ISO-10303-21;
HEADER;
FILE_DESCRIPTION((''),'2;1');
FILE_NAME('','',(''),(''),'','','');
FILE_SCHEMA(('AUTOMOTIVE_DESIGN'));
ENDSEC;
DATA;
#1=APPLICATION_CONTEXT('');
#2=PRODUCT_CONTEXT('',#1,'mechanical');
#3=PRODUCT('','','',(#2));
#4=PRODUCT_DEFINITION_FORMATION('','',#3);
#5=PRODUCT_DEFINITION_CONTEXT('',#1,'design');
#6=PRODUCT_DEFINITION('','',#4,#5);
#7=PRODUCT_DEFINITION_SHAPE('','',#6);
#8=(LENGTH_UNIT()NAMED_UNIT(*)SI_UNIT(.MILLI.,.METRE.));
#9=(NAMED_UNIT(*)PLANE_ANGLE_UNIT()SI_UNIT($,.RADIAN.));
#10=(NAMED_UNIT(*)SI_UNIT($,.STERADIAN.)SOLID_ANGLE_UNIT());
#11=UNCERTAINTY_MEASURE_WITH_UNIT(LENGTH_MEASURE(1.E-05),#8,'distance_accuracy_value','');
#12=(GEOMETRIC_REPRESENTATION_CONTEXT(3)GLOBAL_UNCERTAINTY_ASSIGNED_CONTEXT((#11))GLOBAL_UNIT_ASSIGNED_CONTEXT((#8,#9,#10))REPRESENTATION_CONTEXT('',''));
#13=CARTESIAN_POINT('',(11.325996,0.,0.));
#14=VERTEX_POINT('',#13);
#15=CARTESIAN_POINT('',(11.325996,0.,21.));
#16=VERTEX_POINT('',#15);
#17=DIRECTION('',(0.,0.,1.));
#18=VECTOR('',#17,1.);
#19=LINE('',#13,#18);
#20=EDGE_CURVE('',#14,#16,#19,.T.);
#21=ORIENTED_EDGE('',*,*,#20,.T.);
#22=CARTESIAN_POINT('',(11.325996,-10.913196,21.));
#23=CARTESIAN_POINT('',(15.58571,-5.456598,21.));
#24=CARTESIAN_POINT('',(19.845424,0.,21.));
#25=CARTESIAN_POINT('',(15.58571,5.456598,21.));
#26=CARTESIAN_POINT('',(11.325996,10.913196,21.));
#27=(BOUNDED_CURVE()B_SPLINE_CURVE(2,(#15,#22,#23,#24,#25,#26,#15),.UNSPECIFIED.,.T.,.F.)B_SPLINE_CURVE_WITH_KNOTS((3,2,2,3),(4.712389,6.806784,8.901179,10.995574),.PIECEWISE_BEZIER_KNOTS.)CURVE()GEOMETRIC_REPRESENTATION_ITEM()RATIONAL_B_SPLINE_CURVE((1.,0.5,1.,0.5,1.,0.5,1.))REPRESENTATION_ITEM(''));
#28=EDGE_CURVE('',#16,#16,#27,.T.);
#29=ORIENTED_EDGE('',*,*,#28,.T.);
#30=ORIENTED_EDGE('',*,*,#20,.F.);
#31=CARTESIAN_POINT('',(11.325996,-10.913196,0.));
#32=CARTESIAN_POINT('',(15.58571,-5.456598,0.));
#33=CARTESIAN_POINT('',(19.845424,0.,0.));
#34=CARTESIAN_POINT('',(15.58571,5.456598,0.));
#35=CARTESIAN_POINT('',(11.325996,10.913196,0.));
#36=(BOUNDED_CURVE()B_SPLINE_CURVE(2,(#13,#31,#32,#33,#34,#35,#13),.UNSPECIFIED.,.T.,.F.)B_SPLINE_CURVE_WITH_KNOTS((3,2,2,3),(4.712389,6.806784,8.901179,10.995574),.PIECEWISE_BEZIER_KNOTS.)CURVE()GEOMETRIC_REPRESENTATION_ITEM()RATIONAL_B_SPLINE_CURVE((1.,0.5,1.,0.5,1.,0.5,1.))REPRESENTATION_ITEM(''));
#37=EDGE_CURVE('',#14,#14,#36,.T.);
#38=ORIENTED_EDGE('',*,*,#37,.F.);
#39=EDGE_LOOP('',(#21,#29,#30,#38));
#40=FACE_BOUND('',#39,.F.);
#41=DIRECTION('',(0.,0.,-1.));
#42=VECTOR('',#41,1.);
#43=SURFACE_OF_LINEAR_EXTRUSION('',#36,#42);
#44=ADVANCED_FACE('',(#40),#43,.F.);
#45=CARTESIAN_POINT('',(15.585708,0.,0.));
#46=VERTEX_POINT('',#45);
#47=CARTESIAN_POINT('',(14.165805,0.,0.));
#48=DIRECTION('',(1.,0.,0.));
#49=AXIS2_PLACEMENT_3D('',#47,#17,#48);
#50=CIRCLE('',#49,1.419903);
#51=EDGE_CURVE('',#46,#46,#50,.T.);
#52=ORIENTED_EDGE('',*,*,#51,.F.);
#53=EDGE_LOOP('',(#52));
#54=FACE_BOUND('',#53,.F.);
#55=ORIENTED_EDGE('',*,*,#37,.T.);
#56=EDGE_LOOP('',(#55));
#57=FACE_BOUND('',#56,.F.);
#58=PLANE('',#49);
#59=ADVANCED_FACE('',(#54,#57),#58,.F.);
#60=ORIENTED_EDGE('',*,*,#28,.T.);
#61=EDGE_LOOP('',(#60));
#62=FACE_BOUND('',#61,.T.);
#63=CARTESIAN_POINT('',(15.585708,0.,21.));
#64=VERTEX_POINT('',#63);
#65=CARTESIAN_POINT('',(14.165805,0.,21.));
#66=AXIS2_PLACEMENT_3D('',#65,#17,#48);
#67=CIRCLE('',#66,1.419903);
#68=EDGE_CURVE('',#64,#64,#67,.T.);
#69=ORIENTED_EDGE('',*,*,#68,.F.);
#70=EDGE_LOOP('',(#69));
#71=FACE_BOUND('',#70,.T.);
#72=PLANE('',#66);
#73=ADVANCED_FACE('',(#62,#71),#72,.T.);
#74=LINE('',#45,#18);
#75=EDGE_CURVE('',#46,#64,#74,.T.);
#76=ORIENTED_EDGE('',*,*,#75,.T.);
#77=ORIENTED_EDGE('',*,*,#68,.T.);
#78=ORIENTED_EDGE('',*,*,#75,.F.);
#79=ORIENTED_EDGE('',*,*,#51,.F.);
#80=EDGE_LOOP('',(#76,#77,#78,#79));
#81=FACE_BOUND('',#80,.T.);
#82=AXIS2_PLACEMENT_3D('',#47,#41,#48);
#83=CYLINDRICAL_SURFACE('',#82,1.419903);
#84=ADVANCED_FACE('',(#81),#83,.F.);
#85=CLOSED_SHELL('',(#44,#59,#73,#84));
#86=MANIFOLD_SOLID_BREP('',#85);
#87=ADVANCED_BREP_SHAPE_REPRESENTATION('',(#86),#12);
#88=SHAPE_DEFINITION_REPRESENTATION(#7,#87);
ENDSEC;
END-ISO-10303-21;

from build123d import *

# Parameters (mm, degrees)
F0_R     = 1.419903
F1_DEPTH = 21


with BuildPart() as f1:
    # F0 (on Top) → F1 (new body)
    with BuildSketch(Plane.XY):
        with BuildLine():
            add(Edge.make_bspline(
                [(11.325996, 0), (11.325996, -10.913196), (15.58571, -5.456598), (19.845424, 0), (15.58571, 5.456598), (11.325996, 10.913196), (11.325996, 0)],
                knots=[4.712389, 4.712389, 4.712389, 6.806784, 6.806784, 8.901179, 8.901179, 10.995574, 10.995574, 10.995574], degree=2, weights=[1, 0.5, 1, 0.5, 1, 0.5, 1]))
        make_face()
        with Locations((14.165805, 0)):
            Circle(F0_R, mode=Mode.SUBTRACT)
    extrude(amount=F1_DEPTH)


solid = f1.part
